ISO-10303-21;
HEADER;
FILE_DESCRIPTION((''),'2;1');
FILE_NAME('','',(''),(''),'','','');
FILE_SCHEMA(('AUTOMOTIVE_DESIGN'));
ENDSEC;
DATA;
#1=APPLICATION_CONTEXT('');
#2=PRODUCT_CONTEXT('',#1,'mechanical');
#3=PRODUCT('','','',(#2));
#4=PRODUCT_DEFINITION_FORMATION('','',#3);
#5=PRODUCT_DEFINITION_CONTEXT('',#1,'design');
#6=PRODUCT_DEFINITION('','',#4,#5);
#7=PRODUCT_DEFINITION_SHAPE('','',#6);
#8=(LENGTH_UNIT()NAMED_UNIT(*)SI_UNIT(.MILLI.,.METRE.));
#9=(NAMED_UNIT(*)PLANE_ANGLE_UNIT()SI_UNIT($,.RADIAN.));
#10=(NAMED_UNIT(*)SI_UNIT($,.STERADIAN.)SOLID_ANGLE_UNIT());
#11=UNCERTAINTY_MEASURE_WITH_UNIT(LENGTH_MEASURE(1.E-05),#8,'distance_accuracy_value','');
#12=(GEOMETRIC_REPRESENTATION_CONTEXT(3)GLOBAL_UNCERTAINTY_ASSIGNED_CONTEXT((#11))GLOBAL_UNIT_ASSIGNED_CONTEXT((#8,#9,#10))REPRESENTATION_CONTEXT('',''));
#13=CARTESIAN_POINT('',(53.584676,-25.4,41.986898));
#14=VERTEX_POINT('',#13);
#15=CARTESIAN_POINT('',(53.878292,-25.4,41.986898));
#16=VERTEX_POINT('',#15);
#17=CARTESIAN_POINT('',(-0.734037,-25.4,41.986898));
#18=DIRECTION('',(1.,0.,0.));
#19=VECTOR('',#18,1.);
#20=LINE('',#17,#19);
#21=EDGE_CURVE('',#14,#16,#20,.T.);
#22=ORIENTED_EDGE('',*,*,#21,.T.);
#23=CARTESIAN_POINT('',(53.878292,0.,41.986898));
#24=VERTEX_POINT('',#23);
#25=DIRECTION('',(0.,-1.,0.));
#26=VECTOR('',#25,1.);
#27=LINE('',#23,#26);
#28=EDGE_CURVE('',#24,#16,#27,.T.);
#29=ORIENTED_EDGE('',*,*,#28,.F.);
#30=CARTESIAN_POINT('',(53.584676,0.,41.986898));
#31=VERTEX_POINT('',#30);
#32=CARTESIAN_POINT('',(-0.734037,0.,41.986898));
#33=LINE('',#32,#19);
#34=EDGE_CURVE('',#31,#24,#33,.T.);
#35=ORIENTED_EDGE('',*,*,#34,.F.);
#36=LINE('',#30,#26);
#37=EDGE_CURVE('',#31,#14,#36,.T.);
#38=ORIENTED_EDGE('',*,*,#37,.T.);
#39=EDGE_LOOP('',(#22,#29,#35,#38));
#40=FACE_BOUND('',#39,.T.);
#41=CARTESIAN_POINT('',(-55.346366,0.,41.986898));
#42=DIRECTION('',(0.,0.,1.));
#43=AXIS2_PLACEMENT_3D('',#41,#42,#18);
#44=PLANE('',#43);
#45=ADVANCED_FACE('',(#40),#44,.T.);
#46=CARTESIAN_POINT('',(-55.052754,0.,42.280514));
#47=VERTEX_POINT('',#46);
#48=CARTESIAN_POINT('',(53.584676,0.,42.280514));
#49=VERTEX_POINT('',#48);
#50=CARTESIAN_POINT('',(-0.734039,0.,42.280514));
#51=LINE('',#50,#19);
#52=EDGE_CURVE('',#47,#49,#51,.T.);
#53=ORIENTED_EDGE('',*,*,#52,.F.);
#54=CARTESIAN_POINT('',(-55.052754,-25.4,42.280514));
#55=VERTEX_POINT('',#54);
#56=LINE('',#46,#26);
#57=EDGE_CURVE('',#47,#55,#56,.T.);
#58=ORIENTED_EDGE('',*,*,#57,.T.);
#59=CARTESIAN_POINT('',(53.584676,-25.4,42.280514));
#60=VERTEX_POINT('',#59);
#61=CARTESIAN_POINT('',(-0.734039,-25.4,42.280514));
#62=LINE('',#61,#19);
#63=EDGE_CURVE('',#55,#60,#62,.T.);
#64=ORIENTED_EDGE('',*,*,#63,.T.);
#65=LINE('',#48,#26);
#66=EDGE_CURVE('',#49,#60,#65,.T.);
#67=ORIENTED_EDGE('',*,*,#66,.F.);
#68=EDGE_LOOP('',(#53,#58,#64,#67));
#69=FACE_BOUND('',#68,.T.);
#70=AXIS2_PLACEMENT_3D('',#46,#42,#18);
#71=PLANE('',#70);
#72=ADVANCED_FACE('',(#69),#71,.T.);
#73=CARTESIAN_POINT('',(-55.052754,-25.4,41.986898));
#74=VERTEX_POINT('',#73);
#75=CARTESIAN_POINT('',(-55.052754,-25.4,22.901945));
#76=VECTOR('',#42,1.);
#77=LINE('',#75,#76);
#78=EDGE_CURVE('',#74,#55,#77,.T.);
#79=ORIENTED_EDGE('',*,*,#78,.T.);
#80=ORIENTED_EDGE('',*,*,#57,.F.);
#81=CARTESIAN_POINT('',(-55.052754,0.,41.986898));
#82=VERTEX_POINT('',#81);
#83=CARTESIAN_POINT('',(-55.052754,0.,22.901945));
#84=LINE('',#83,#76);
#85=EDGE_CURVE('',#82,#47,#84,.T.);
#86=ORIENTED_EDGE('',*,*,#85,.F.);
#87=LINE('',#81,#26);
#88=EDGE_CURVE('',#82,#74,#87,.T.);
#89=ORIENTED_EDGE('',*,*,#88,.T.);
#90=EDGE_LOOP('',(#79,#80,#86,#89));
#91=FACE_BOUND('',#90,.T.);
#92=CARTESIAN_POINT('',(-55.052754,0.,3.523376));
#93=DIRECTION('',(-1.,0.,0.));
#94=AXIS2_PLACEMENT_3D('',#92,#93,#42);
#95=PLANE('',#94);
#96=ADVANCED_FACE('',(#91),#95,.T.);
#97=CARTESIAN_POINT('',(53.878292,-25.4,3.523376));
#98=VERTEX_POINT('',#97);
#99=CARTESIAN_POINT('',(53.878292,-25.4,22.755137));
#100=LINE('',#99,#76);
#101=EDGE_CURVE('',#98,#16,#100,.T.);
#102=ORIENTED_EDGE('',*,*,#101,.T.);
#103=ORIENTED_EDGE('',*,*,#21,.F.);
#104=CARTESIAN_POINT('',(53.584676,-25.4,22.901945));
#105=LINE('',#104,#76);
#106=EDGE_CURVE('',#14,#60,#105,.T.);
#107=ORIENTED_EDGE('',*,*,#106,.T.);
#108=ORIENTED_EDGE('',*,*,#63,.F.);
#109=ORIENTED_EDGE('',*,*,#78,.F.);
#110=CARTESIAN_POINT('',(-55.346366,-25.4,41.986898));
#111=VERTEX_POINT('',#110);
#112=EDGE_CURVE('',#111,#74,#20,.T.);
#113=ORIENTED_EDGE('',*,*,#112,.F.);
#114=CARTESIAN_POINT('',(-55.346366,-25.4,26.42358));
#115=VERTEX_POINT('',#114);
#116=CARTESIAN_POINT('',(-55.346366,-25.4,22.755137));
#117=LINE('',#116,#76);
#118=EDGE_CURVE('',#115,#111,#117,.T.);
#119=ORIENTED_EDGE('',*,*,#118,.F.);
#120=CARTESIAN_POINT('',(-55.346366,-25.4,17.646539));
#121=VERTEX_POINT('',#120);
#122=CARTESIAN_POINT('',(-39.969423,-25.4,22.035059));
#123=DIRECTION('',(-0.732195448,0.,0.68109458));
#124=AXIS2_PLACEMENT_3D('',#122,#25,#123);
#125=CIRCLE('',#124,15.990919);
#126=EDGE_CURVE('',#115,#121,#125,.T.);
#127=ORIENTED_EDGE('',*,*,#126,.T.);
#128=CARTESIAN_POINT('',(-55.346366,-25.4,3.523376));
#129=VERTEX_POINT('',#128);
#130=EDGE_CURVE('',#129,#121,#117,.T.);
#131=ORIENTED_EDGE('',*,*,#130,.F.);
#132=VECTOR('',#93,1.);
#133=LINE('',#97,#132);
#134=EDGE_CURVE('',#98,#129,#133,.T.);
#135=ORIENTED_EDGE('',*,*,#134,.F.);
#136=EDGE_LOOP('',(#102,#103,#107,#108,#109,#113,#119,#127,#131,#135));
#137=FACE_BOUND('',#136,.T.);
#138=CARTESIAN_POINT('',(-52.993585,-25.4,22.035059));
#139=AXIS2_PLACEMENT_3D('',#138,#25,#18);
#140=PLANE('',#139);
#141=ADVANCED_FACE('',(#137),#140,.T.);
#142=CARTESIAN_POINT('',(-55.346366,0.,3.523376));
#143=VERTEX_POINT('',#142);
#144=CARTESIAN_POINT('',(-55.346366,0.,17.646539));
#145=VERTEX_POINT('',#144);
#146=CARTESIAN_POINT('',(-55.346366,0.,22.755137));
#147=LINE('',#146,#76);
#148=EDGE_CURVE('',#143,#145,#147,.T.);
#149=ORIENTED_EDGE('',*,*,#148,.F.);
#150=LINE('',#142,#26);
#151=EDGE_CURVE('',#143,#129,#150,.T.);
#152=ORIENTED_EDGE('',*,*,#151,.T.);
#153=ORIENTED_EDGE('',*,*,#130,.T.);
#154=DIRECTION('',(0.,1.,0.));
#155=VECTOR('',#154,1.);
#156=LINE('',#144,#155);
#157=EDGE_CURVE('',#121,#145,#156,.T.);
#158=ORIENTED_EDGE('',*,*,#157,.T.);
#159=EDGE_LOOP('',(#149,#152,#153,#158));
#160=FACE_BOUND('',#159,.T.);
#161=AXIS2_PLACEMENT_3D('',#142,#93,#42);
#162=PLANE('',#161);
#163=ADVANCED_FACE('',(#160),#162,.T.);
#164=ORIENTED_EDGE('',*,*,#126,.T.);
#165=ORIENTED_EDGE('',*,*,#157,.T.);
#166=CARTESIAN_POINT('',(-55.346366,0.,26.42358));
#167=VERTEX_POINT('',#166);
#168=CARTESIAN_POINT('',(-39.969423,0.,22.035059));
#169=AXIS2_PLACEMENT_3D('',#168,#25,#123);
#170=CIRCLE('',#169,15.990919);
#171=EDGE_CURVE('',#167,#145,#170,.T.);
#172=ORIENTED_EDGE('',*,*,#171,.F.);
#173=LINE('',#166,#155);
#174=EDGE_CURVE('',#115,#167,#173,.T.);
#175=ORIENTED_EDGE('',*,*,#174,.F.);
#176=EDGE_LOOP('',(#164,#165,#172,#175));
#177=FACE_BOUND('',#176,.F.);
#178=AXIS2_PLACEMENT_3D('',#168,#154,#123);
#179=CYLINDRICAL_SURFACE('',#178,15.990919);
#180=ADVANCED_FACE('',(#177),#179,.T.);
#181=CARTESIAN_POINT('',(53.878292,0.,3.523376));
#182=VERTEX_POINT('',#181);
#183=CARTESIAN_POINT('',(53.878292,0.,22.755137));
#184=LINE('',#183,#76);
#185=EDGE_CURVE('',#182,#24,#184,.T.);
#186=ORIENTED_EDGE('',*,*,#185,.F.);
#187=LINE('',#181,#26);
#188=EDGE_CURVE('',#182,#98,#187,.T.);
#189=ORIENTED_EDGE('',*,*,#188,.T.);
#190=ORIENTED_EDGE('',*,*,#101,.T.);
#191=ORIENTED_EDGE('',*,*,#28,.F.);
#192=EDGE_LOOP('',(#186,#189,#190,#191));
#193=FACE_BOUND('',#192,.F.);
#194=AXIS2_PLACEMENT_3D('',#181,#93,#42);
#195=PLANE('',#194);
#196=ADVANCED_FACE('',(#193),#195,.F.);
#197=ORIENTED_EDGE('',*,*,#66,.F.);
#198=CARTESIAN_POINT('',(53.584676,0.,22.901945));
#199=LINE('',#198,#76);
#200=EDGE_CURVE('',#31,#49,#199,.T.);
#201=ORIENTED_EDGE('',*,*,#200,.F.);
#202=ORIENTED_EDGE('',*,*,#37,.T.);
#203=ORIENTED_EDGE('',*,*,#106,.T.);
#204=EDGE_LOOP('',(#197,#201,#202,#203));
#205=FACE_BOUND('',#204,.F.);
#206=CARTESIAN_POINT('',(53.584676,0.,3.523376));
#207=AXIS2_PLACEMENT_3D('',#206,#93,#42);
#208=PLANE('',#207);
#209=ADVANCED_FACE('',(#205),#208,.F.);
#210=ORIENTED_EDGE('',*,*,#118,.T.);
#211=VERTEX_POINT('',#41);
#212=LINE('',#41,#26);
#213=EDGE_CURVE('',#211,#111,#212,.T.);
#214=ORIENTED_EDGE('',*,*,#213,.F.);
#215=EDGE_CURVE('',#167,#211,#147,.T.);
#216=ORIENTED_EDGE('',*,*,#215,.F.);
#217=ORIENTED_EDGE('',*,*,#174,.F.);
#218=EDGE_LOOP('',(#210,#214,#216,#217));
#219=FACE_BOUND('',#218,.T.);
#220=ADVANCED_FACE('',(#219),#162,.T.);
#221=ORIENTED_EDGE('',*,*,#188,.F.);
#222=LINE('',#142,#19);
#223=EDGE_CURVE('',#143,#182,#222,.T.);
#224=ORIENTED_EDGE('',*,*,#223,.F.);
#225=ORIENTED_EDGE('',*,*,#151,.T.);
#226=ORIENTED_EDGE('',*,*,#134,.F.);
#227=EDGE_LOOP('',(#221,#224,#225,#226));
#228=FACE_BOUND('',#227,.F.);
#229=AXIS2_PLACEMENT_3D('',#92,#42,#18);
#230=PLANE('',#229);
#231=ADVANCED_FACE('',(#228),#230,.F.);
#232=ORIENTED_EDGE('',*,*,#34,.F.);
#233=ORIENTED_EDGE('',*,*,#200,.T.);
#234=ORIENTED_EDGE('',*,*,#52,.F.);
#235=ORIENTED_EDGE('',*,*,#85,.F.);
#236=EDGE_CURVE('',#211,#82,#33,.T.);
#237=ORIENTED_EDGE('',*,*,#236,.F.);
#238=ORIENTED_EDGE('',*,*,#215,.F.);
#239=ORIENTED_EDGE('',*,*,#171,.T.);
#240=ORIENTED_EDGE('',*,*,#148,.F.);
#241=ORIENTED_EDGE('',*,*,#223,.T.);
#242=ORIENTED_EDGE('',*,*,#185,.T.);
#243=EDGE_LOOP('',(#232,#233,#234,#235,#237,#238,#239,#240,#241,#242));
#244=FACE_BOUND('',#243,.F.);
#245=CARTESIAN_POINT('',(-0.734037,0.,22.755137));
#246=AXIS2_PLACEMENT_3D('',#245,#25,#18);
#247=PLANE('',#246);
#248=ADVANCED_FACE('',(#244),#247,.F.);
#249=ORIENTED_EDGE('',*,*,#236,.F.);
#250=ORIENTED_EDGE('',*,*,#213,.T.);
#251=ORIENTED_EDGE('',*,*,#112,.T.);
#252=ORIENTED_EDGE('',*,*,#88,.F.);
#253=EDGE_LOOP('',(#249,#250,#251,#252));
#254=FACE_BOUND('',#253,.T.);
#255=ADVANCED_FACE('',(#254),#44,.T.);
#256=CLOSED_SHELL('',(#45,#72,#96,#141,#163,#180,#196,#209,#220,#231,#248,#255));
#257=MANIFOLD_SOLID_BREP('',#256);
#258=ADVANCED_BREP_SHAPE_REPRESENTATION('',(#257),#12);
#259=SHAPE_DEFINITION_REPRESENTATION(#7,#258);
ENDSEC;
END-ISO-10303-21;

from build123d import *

# Parameters (mm, degrees)
F0_W     = 109.224658
F0_H     = 38.463522
F1_DEPTH = 25.4
F2_W     = 108.63743
F2_H     = 38.757138
F3_DEPTH = 25.4
F5_DEPTH = 25.4


with BuildPart() as f1:
    # F0 (on Front) → F1 (new body)
    with BuildSketch(Plane.XZ):
        with Locations((-0.734037, 22.755137)):
            Rectangle(F0_W, F0_H)
    extrude(amount=F1_DEPTH)

    # F2 (on Front) → F3 (join)
    with BuildSketch(Plane.XZ):
        with Locations((-0.734039, 22.901945)):
            Rectangle(F2_W, F2_H)
    extrude(amount=F3_DEPTH)

    # F4 (on Front) → F5 (join)
    with BuildSketch(Plane.XZ):
        with BuildLine():
            ThreePointArc((-51.677901, 32.926388), (-55.960342, 22.03506), (-51.677901, 11.143731))
            Line((-51.677901, 11.143731), (-51.677901, 32.926388))
        make_face()
        with BuildLine():
            Line((-29.331109, 33.973895), (-29.331109, 10.096224))
            ThreePointArc((-29.331109, 10.096224), (-23.978503, 22.03506), (-29.331109, 33.973895))
        make_face()
    extrude(amount=F5_DEPTH)


solid = f1.part
